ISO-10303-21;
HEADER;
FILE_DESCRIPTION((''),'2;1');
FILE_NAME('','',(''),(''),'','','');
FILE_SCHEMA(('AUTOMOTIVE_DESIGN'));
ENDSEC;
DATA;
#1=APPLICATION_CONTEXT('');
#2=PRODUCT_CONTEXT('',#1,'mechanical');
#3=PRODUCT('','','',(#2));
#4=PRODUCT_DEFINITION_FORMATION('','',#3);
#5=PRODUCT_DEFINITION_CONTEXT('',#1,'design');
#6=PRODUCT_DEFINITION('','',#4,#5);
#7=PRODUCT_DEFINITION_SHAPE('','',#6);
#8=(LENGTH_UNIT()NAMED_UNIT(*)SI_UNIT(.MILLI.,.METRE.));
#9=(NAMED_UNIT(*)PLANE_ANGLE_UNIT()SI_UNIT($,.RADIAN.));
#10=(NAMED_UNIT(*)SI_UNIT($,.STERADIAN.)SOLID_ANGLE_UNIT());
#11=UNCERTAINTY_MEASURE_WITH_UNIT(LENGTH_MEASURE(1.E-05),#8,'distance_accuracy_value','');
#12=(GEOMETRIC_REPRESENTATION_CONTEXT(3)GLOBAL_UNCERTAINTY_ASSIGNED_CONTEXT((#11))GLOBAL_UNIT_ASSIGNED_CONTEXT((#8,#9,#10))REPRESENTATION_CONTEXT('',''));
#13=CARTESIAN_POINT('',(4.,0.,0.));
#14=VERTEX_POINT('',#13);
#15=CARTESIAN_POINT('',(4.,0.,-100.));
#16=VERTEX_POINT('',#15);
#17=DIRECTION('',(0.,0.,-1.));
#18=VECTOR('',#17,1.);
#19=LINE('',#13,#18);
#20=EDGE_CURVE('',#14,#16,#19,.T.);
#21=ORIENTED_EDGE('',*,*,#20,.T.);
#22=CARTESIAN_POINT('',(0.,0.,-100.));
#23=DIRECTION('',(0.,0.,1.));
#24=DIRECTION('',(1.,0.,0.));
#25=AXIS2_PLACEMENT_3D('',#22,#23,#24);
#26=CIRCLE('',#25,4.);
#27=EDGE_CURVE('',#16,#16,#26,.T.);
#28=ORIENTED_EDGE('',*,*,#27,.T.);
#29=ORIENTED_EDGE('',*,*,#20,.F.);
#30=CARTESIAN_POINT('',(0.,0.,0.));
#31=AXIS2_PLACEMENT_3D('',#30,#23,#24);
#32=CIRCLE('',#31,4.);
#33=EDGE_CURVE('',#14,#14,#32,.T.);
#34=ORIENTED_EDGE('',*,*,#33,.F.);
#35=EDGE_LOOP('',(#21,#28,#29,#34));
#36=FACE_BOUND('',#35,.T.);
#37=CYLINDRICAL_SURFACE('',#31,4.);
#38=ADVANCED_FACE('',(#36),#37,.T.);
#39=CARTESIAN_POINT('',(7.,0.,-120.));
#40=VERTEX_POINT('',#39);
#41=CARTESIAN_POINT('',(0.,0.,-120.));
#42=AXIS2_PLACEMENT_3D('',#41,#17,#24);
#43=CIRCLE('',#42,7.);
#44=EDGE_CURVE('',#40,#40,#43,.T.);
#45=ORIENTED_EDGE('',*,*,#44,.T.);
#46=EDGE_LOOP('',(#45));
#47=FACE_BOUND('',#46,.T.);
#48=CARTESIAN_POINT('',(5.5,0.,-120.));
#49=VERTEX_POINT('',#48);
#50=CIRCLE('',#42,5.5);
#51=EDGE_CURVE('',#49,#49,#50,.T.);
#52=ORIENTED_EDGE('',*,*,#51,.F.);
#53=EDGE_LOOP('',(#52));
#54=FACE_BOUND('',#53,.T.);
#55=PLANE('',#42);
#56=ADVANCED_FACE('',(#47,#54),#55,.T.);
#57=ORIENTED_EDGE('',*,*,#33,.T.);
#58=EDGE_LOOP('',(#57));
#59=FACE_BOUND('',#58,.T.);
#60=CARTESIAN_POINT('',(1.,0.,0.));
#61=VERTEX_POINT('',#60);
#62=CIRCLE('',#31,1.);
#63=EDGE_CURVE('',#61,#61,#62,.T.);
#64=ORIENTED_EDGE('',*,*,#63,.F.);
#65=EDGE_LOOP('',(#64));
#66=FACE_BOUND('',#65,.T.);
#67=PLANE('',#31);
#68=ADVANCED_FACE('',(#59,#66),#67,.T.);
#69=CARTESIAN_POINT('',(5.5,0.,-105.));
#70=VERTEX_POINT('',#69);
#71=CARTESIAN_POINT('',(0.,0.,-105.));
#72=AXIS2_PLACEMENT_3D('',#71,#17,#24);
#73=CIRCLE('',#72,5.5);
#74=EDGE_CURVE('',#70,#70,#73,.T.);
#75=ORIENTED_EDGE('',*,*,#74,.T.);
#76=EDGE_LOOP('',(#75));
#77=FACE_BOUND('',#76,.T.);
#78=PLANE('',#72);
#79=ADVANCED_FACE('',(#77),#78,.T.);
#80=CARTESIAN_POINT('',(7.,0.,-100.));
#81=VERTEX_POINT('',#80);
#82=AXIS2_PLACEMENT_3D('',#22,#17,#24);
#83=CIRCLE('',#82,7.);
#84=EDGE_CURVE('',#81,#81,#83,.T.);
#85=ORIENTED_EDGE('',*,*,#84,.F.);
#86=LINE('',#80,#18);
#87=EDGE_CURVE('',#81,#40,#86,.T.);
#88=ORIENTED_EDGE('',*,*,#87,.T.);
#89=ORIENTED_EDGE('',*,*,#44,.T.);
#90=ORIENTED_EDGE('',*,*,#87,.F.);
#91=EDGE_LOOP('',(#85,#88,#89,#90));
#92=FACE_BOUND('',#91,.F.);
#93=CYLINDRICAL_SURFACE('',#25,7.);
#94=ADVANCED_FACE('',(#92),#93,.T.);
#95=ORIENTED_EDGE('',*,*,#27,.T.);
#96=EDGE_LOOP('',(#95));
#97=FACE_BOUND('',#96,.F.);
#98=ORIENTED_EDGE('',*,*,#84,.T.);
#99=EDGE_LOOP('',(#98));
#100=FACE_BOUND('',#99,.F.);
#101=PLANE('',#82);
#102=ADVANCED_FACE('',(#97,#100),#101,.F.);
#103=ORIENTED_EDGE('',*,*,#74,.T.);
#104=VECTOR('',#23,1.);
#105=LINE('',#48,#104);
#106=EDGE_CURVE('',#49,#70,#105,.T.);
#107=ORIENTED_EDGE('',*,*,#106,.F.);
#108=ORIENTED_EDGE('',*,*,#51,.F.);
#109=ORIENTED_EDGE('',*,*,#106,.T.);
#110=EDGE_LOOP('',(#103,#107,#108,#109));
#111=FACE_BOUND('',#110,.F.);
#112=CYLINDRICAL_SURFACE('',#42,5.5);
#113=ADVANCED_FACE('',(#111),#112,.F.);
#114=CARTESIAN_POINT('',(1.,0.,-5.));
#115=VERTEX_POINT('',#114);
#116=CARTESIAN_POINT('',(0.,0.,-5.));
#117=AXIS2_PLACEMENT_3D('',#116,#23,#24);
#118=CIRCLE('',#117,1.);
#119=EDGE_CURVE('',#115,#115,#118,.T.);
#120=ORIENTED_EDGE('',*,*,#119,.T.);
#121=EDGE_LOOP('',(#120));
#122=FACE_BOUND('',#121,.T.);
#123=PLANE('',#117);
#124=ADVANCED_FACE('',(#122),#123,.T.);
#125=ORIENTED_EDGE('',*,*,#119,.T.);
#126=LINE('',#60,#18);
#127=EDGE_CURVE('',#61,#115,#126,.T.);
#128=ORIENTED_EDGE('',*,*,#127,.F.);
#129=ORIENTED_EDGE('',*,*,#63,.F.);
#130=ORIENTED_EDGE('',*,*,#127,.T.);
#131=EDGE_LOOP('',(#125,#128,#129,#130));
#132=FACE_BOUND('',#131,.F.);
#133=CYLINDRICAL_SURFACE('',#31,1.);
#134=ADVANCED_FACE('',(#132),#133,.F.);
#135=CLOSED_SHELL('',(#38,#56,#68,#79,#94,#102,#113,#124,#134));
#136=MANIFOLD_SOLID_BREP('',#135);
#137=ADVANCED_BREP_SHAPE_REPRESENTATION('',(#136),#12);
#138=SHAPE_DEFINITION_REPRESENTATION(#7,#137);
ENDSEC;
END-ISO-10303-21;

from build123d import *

# Parameters (mm, degrees)
SKETCH_R        = 4
PAD_DEPTH       = 100
SKETCH001_R     = 1
POCKET_DEPTH    = 5
SKETCH002_R     = 7
PAD001_DEPTH    = 20
SKETCH003_R     = 5.5
POCKET001_DEPTH = 15


with BuildPart() as part:
    # Sketch → Pad (new body)
    with BuildSketch(Plane.XY):
        Circle(SKETCH_R)
    extrude(amount=-PAD_DEPTH)

    # Sketch001 → Pocket (cut)
    with BuildSketch(Plane.XY):
        Circle(SKETCH001_R)
    extrude(amount=-POCKET_DEPTH, mode=Mode.SUBTRACT)

    # Sketch002 → Pad001 (new body)
    with BuildSketch(Plane(origin=(0, 0, -100), x_dir=(1, 0, 0), z_dir=(0, 0, -1))):
        Circle(SKETCH002_R)
    extrude(amount=PAD001_DEPTH)

    # Sketch003 → Pocket001 (cut)
    with BuildSketch(Plane(origin=(0, 0, -120), x_dir=(1, 0, 0), z_dir=(0, 0, -1))):
        Circle(SKETCH003_R)
    extrude(amount=-POCKET001_DEPTH, mode=Mode.SUBTRACT)


solid = part.part
